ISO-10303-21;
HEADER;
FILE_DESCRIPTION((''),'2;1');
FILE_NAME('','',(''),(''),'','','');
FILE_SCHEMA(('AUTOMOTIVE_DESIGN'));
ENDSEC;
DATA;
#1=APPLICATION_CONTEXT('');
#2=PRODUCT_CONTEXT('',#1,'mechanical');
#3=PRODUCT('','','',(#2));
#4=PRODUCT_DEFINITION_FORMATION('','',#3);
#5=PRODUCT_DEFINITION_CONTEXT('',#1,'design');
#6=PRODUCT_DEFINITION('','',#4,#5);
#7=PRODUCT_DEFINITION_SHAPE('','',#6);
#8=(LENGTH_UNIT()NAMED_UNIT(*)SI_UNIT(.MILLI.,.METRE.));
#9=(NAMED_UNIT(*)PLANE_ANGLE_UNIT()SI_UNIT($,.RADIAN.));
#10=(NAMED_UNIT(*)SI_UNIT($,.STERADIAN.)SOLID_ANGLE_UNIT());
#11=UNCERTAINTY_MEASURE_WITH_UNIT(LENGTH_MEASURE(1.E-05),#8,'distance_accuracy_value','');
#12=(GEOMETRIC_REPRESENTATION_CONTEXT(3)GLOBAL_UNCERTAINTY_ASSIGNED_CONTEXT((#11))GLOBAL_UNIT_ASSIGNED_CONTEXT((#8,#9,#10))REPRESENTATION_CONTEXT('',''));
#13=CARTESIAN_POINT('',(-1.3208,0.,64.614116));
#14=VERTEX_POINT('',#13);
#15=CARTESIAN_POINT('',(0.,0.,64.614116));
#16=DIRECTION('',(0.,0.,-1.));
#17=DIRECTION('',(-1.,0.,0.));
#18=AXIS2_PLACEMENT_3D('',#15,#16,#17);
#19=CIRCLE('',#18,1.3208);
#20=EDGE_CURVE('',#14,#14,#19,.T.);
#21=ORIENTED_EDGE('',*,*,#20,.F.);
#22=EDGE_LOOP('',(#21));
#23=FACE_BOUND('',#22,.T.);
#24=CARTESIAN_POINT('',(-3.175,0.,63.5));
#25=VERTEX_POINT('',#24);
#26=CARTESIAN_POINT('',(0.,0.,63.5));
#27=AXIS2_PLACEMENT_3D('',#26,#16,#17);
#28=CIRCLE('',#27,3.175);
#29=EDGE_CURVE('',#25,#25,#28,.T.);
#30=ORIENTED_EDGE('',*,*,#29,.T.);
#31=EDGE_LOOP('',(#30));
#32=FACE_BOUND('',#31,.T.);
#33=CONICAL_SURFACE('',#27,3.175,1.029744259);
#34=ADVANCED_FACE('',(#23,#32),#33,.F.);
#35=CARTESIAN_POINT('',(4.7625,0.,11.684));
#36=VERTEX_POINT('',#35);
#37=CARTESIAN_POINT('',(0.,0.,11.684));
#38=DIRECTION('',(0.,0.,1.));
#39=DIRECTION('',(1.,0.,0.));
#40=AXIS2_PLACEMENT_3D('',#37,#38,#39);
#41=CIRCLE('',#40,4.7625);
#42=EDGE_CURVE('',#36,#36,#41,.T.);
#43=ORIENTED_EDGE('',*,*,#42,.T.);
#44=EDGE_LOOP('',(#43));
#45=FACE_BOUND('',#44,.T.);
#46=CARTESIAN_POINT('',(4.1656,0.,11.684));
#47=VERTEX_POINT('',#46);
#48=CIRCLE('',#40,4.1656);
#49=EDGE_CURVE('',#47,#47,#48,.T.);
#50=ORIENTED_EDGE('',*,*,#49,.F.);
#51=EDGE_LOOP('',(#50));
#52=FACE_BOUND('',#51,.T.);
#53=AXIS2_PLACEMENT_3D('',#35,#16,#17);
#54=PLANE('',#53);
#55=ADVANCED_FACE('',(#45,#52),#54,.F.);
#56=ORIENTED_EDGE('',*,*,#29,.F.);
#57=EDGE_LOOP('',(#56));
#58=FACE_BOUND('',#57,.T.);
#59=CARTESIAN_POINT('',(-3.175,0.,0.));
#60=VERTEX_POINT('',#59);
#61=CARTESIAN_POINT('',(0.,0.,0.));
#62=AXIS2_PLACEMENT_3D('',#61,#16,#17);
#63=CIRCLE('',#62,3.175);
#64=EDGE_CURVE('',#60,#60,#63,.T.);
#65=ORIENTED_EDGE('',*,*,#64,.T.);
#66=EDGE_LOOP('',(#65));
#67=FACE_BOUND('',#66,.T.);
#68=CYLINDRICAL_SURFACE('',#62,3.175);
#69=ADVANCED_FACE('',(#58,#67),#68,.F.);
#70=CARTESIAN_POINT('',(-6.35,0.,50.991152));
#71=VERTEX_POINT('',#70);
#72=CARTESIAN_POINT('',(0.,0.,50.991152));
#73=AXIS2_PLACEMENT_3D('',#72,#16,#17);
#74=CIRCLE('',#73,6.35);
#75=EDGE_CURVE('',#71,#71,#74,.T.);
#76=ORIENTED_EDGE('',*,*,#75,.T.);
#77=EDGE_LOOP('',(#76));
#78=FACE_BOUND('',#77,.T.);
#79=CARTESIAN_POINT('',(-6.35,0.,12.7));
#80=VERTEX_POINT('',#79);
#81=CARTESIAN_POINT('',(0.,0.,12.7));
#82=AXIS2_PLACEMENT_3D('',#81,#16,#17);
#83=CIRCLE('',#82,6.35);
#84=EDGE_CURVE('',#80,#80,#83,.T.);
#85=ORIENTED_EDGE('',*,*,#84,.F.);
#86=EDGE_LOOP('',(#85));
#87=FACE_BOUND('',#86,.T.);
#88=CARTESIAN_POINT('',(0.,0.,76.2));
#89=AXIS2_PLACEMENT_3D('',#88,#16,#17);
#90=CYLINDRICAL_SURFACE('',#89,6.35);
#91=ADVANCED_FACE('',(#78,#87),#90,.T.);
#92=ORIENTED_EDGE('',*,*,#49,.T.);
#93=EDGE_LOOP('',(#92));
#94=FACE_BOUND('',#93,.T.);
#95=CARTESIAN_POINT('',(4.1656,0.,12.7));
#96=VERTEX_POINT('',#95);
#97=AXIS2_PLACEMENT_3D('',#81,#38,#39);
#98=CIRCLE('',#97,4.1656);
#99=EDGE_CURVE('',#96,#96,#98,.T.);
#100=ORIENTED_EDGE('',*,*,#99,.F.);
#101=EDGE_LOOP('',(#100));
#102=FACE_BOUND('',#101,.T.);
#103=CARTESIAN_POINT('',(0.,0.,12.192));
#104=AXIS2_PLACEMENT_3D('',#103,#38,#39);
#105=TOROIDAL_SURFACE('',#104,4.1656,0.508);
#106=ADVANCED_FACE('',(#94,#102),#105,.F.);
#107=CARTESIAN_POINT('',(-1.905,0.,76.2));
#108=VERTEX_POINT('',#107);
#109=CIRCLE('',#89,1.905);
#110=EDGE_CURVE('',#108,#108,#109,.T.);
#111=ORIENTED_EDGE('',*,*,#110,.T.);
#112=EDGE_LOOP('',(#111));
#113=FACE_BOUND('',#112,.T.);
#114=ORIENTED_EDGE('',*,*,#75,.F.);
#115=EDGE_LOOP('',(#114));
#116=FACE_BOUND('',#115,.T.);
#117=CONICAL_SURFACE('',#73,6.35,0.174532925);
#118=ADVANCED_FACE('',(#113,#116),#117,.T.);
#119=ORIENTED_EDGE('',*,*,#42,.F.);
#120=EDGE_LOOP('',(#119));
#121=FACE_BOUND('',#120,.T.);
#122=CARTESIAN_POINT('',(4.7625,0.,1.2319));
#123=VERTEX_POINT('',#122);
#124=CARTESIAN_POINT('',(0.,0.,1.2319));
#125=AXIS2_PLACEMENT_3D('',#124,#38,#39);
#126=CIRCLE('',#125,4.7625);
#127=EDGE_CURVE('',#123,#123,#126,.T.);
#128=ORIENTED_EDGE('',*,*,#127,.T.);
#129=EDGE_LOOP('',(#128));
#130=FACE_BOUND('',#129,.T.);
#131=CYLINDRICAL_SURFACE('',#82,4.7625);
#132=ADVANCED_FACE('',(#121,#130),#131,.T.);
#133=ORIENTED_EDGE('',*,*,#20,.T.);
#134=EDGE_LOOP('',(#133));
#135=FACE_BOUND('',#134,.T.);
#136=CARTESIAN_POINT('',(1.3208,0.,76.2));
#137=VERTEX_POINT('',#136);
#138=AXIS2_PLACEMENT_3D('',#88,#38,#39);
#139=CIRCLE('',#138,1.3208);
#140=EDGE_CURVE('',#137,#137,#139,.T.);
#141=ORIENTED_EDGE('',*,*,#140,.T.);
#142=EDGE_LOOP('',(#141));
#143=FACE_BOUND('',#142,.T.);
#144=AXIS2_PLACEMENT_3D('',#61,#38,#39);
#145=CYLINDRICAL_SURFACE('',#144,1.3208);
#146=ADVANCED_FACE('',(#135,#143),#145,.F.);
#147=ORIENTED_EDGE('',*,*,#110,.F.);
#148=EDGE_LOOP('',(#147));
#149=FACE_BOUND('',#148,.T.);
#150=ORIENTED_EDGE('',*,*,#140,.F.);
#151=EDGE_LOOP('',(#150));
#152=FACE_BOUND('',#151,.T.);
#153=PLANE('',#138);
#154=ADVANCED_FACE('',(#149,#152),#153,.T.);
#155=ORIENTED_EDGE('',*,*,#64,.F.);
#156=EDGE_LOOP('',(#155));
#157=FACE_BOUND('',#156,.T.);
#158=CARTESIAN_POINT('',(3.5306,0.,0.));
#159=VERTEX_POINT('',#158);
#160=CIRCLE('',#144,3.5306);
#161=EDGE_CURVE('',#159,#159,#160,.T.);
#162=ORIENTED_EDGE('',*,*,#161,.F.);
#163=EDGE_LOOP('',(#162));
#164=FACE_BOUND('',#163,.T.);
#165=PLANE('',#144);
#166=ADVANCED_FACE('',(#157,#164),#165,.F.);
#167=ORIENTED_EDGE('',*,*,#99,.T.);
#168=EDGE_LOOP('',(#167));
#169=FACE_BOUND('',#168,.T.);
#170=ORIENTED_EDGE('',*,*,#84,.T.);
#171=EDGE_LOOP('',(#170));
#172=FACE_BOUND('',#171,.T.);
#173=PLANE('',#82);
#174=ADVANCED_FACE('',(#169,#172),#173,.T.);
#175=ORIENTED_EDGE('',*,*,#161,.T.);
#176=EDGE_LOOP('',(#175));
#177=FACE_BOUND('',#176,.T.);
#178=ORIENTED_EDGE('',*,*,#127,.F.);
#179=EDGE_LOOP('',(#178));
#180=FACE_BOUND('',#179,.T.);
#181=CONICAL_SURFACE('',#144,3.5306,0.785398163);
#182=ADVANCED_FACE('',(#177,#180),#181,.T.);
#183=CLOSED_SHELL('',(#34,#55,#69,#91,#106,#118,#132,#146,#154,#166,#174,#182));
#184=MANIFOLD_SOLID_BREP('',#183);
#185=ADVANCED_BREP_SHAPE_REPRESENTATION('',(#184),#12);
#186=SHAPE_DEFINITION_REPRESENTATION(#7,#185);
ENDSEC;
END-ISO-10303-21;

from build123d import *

# Parameters (mm, degrees)
SKETCH1_R                       = 6.35
BOSS_EXTRUDE1_DEPTH             = 76.2
SKETCH8_R                       = 1.3208
CUT_EXTRUDE1_DEPTH              = 77.2
SKETCH10_R                      = 6.35
SKETCH10_R_2                    = 4.7625
CUT_EXTRUDE2_DEPTH              = 12.7
F_1_4_0_25_DIAMETER_HOLE1_D     = 6.35
F_1_4_0_25_DIAMETER_HOLE1_DEPTH = 63.5
F_1_4_0_25_DIAMETER_HOLE1_TIP   = 1.907732465


with BuildPart() as part:
    # Sketch1 → Boss-Extrude1 (new body)
    with BuildSketch(Plane.XY):
        Circle(SKETCH1_R)
    extrude(amount=BOSS_EXTRUDE1_DEPTH)

    # Sketch7 → Cut-Revolve1 (revolve, cut)
    with BuildSketch(Plane(origin=(0, 0, 0), x_dir=(1, 0, 0), z_dir=(0, 1, 0))):
        Polygon((6.35, -76.2), (6.35, -50.991152312), (1.905, -76.2), align=None)
    revolve(axis=Axis((0, 0, -47.573976859), (0, 0, 1)), mode=Mode.SUBTRACT)

    # Sketch8 → Cut-Extrude1 (cut, through all)
    with BuildSketch(Plane.XY.offset(76.2)):
        Circle(SKETCH8_R)
    extrude(amount=-CUT_EXTRUDE1_DEPTH, mode=Mode.SUBTRACT)

    # Sketch10 → Cut-Extrude2 (cut)
    with BuildSketch(Plane(origin=(0, 0, 0), x_dir=(-1, 0, 0), z_dir=(0, 0, -1))):
        Circle(SKETCH10_R)
        Circle(SKETCH10_R_2, mode=Mode.SUBTRACT)
    extrude(amount=-CUT_EXTRUDE2_DEPTH, mode=Mode.SUBTRACT)

    # 1/4 (0.25) Diameter Hole1
    with Locations(Plane(origin=(0, 0, 0), x_dir=(-1, 0, 0), z_dir=(0, 0, -1))):
        with Locations((0, 0)):
            Hole(F_1_4_0_25_DIAMETER_HOLE1_D / 2, depth=F_1_4_0_25_DIAMETER_HOLE1_DEPTH)
            with Locations((0, 0, -(F_1_4_0_25_DIAMETER_HOLE1_DEPTH + F_1_4_0_25_DIAMETER_HOLE1_TIP / 2))):  # 118° drill point
                Cone(0, F_1_4_0_25_DIAMETER_HOLE1_D / 2, F_1_4_0_25_DIAMETER_HOLE1_TIP, mode=Mode.SUBTRACT)

    # Sketch18 → Cut-Revolve2 (revolve, cut)
    with BuildSketch(Plane(origin=(0, 0, 0), x_dir=(1, 0, 0), z_dir=(0, 1, 0))):
        with BuildLine():
            Line((4.7625, -12.7), (4.1656, -12.7))
            ThreePointArc((4.1656, -12.7), (3.6576, -12.192), (4.1656, -11.684))
            Line((4.1656, -11.684), (4.7625, -11.684))
            Line((4.7625, -11.684), (4.7625, -12.7))
        make_face()
    revolve(axis=Axis((0, 0, 0.466216552), (0, 0, -1)), mode=Mode.SUBTRACT)

    # Sketch20 → Cut-Revolve3 (revolve, cut)
    with BuildSketch(Plane(origin=(0, 0, 0), x_dir=(1, 0, 0), z_dir=(0, 1, 0))):
        Polygon((4.7625, 0), (4.7625, -1.2319), (3.5306, 0), align=None)
    revolve(axis=Axis((0, 0, 0.466216552), (0, 0, -1)), mode=Mode.SUBTRACT)


solid = part.part
